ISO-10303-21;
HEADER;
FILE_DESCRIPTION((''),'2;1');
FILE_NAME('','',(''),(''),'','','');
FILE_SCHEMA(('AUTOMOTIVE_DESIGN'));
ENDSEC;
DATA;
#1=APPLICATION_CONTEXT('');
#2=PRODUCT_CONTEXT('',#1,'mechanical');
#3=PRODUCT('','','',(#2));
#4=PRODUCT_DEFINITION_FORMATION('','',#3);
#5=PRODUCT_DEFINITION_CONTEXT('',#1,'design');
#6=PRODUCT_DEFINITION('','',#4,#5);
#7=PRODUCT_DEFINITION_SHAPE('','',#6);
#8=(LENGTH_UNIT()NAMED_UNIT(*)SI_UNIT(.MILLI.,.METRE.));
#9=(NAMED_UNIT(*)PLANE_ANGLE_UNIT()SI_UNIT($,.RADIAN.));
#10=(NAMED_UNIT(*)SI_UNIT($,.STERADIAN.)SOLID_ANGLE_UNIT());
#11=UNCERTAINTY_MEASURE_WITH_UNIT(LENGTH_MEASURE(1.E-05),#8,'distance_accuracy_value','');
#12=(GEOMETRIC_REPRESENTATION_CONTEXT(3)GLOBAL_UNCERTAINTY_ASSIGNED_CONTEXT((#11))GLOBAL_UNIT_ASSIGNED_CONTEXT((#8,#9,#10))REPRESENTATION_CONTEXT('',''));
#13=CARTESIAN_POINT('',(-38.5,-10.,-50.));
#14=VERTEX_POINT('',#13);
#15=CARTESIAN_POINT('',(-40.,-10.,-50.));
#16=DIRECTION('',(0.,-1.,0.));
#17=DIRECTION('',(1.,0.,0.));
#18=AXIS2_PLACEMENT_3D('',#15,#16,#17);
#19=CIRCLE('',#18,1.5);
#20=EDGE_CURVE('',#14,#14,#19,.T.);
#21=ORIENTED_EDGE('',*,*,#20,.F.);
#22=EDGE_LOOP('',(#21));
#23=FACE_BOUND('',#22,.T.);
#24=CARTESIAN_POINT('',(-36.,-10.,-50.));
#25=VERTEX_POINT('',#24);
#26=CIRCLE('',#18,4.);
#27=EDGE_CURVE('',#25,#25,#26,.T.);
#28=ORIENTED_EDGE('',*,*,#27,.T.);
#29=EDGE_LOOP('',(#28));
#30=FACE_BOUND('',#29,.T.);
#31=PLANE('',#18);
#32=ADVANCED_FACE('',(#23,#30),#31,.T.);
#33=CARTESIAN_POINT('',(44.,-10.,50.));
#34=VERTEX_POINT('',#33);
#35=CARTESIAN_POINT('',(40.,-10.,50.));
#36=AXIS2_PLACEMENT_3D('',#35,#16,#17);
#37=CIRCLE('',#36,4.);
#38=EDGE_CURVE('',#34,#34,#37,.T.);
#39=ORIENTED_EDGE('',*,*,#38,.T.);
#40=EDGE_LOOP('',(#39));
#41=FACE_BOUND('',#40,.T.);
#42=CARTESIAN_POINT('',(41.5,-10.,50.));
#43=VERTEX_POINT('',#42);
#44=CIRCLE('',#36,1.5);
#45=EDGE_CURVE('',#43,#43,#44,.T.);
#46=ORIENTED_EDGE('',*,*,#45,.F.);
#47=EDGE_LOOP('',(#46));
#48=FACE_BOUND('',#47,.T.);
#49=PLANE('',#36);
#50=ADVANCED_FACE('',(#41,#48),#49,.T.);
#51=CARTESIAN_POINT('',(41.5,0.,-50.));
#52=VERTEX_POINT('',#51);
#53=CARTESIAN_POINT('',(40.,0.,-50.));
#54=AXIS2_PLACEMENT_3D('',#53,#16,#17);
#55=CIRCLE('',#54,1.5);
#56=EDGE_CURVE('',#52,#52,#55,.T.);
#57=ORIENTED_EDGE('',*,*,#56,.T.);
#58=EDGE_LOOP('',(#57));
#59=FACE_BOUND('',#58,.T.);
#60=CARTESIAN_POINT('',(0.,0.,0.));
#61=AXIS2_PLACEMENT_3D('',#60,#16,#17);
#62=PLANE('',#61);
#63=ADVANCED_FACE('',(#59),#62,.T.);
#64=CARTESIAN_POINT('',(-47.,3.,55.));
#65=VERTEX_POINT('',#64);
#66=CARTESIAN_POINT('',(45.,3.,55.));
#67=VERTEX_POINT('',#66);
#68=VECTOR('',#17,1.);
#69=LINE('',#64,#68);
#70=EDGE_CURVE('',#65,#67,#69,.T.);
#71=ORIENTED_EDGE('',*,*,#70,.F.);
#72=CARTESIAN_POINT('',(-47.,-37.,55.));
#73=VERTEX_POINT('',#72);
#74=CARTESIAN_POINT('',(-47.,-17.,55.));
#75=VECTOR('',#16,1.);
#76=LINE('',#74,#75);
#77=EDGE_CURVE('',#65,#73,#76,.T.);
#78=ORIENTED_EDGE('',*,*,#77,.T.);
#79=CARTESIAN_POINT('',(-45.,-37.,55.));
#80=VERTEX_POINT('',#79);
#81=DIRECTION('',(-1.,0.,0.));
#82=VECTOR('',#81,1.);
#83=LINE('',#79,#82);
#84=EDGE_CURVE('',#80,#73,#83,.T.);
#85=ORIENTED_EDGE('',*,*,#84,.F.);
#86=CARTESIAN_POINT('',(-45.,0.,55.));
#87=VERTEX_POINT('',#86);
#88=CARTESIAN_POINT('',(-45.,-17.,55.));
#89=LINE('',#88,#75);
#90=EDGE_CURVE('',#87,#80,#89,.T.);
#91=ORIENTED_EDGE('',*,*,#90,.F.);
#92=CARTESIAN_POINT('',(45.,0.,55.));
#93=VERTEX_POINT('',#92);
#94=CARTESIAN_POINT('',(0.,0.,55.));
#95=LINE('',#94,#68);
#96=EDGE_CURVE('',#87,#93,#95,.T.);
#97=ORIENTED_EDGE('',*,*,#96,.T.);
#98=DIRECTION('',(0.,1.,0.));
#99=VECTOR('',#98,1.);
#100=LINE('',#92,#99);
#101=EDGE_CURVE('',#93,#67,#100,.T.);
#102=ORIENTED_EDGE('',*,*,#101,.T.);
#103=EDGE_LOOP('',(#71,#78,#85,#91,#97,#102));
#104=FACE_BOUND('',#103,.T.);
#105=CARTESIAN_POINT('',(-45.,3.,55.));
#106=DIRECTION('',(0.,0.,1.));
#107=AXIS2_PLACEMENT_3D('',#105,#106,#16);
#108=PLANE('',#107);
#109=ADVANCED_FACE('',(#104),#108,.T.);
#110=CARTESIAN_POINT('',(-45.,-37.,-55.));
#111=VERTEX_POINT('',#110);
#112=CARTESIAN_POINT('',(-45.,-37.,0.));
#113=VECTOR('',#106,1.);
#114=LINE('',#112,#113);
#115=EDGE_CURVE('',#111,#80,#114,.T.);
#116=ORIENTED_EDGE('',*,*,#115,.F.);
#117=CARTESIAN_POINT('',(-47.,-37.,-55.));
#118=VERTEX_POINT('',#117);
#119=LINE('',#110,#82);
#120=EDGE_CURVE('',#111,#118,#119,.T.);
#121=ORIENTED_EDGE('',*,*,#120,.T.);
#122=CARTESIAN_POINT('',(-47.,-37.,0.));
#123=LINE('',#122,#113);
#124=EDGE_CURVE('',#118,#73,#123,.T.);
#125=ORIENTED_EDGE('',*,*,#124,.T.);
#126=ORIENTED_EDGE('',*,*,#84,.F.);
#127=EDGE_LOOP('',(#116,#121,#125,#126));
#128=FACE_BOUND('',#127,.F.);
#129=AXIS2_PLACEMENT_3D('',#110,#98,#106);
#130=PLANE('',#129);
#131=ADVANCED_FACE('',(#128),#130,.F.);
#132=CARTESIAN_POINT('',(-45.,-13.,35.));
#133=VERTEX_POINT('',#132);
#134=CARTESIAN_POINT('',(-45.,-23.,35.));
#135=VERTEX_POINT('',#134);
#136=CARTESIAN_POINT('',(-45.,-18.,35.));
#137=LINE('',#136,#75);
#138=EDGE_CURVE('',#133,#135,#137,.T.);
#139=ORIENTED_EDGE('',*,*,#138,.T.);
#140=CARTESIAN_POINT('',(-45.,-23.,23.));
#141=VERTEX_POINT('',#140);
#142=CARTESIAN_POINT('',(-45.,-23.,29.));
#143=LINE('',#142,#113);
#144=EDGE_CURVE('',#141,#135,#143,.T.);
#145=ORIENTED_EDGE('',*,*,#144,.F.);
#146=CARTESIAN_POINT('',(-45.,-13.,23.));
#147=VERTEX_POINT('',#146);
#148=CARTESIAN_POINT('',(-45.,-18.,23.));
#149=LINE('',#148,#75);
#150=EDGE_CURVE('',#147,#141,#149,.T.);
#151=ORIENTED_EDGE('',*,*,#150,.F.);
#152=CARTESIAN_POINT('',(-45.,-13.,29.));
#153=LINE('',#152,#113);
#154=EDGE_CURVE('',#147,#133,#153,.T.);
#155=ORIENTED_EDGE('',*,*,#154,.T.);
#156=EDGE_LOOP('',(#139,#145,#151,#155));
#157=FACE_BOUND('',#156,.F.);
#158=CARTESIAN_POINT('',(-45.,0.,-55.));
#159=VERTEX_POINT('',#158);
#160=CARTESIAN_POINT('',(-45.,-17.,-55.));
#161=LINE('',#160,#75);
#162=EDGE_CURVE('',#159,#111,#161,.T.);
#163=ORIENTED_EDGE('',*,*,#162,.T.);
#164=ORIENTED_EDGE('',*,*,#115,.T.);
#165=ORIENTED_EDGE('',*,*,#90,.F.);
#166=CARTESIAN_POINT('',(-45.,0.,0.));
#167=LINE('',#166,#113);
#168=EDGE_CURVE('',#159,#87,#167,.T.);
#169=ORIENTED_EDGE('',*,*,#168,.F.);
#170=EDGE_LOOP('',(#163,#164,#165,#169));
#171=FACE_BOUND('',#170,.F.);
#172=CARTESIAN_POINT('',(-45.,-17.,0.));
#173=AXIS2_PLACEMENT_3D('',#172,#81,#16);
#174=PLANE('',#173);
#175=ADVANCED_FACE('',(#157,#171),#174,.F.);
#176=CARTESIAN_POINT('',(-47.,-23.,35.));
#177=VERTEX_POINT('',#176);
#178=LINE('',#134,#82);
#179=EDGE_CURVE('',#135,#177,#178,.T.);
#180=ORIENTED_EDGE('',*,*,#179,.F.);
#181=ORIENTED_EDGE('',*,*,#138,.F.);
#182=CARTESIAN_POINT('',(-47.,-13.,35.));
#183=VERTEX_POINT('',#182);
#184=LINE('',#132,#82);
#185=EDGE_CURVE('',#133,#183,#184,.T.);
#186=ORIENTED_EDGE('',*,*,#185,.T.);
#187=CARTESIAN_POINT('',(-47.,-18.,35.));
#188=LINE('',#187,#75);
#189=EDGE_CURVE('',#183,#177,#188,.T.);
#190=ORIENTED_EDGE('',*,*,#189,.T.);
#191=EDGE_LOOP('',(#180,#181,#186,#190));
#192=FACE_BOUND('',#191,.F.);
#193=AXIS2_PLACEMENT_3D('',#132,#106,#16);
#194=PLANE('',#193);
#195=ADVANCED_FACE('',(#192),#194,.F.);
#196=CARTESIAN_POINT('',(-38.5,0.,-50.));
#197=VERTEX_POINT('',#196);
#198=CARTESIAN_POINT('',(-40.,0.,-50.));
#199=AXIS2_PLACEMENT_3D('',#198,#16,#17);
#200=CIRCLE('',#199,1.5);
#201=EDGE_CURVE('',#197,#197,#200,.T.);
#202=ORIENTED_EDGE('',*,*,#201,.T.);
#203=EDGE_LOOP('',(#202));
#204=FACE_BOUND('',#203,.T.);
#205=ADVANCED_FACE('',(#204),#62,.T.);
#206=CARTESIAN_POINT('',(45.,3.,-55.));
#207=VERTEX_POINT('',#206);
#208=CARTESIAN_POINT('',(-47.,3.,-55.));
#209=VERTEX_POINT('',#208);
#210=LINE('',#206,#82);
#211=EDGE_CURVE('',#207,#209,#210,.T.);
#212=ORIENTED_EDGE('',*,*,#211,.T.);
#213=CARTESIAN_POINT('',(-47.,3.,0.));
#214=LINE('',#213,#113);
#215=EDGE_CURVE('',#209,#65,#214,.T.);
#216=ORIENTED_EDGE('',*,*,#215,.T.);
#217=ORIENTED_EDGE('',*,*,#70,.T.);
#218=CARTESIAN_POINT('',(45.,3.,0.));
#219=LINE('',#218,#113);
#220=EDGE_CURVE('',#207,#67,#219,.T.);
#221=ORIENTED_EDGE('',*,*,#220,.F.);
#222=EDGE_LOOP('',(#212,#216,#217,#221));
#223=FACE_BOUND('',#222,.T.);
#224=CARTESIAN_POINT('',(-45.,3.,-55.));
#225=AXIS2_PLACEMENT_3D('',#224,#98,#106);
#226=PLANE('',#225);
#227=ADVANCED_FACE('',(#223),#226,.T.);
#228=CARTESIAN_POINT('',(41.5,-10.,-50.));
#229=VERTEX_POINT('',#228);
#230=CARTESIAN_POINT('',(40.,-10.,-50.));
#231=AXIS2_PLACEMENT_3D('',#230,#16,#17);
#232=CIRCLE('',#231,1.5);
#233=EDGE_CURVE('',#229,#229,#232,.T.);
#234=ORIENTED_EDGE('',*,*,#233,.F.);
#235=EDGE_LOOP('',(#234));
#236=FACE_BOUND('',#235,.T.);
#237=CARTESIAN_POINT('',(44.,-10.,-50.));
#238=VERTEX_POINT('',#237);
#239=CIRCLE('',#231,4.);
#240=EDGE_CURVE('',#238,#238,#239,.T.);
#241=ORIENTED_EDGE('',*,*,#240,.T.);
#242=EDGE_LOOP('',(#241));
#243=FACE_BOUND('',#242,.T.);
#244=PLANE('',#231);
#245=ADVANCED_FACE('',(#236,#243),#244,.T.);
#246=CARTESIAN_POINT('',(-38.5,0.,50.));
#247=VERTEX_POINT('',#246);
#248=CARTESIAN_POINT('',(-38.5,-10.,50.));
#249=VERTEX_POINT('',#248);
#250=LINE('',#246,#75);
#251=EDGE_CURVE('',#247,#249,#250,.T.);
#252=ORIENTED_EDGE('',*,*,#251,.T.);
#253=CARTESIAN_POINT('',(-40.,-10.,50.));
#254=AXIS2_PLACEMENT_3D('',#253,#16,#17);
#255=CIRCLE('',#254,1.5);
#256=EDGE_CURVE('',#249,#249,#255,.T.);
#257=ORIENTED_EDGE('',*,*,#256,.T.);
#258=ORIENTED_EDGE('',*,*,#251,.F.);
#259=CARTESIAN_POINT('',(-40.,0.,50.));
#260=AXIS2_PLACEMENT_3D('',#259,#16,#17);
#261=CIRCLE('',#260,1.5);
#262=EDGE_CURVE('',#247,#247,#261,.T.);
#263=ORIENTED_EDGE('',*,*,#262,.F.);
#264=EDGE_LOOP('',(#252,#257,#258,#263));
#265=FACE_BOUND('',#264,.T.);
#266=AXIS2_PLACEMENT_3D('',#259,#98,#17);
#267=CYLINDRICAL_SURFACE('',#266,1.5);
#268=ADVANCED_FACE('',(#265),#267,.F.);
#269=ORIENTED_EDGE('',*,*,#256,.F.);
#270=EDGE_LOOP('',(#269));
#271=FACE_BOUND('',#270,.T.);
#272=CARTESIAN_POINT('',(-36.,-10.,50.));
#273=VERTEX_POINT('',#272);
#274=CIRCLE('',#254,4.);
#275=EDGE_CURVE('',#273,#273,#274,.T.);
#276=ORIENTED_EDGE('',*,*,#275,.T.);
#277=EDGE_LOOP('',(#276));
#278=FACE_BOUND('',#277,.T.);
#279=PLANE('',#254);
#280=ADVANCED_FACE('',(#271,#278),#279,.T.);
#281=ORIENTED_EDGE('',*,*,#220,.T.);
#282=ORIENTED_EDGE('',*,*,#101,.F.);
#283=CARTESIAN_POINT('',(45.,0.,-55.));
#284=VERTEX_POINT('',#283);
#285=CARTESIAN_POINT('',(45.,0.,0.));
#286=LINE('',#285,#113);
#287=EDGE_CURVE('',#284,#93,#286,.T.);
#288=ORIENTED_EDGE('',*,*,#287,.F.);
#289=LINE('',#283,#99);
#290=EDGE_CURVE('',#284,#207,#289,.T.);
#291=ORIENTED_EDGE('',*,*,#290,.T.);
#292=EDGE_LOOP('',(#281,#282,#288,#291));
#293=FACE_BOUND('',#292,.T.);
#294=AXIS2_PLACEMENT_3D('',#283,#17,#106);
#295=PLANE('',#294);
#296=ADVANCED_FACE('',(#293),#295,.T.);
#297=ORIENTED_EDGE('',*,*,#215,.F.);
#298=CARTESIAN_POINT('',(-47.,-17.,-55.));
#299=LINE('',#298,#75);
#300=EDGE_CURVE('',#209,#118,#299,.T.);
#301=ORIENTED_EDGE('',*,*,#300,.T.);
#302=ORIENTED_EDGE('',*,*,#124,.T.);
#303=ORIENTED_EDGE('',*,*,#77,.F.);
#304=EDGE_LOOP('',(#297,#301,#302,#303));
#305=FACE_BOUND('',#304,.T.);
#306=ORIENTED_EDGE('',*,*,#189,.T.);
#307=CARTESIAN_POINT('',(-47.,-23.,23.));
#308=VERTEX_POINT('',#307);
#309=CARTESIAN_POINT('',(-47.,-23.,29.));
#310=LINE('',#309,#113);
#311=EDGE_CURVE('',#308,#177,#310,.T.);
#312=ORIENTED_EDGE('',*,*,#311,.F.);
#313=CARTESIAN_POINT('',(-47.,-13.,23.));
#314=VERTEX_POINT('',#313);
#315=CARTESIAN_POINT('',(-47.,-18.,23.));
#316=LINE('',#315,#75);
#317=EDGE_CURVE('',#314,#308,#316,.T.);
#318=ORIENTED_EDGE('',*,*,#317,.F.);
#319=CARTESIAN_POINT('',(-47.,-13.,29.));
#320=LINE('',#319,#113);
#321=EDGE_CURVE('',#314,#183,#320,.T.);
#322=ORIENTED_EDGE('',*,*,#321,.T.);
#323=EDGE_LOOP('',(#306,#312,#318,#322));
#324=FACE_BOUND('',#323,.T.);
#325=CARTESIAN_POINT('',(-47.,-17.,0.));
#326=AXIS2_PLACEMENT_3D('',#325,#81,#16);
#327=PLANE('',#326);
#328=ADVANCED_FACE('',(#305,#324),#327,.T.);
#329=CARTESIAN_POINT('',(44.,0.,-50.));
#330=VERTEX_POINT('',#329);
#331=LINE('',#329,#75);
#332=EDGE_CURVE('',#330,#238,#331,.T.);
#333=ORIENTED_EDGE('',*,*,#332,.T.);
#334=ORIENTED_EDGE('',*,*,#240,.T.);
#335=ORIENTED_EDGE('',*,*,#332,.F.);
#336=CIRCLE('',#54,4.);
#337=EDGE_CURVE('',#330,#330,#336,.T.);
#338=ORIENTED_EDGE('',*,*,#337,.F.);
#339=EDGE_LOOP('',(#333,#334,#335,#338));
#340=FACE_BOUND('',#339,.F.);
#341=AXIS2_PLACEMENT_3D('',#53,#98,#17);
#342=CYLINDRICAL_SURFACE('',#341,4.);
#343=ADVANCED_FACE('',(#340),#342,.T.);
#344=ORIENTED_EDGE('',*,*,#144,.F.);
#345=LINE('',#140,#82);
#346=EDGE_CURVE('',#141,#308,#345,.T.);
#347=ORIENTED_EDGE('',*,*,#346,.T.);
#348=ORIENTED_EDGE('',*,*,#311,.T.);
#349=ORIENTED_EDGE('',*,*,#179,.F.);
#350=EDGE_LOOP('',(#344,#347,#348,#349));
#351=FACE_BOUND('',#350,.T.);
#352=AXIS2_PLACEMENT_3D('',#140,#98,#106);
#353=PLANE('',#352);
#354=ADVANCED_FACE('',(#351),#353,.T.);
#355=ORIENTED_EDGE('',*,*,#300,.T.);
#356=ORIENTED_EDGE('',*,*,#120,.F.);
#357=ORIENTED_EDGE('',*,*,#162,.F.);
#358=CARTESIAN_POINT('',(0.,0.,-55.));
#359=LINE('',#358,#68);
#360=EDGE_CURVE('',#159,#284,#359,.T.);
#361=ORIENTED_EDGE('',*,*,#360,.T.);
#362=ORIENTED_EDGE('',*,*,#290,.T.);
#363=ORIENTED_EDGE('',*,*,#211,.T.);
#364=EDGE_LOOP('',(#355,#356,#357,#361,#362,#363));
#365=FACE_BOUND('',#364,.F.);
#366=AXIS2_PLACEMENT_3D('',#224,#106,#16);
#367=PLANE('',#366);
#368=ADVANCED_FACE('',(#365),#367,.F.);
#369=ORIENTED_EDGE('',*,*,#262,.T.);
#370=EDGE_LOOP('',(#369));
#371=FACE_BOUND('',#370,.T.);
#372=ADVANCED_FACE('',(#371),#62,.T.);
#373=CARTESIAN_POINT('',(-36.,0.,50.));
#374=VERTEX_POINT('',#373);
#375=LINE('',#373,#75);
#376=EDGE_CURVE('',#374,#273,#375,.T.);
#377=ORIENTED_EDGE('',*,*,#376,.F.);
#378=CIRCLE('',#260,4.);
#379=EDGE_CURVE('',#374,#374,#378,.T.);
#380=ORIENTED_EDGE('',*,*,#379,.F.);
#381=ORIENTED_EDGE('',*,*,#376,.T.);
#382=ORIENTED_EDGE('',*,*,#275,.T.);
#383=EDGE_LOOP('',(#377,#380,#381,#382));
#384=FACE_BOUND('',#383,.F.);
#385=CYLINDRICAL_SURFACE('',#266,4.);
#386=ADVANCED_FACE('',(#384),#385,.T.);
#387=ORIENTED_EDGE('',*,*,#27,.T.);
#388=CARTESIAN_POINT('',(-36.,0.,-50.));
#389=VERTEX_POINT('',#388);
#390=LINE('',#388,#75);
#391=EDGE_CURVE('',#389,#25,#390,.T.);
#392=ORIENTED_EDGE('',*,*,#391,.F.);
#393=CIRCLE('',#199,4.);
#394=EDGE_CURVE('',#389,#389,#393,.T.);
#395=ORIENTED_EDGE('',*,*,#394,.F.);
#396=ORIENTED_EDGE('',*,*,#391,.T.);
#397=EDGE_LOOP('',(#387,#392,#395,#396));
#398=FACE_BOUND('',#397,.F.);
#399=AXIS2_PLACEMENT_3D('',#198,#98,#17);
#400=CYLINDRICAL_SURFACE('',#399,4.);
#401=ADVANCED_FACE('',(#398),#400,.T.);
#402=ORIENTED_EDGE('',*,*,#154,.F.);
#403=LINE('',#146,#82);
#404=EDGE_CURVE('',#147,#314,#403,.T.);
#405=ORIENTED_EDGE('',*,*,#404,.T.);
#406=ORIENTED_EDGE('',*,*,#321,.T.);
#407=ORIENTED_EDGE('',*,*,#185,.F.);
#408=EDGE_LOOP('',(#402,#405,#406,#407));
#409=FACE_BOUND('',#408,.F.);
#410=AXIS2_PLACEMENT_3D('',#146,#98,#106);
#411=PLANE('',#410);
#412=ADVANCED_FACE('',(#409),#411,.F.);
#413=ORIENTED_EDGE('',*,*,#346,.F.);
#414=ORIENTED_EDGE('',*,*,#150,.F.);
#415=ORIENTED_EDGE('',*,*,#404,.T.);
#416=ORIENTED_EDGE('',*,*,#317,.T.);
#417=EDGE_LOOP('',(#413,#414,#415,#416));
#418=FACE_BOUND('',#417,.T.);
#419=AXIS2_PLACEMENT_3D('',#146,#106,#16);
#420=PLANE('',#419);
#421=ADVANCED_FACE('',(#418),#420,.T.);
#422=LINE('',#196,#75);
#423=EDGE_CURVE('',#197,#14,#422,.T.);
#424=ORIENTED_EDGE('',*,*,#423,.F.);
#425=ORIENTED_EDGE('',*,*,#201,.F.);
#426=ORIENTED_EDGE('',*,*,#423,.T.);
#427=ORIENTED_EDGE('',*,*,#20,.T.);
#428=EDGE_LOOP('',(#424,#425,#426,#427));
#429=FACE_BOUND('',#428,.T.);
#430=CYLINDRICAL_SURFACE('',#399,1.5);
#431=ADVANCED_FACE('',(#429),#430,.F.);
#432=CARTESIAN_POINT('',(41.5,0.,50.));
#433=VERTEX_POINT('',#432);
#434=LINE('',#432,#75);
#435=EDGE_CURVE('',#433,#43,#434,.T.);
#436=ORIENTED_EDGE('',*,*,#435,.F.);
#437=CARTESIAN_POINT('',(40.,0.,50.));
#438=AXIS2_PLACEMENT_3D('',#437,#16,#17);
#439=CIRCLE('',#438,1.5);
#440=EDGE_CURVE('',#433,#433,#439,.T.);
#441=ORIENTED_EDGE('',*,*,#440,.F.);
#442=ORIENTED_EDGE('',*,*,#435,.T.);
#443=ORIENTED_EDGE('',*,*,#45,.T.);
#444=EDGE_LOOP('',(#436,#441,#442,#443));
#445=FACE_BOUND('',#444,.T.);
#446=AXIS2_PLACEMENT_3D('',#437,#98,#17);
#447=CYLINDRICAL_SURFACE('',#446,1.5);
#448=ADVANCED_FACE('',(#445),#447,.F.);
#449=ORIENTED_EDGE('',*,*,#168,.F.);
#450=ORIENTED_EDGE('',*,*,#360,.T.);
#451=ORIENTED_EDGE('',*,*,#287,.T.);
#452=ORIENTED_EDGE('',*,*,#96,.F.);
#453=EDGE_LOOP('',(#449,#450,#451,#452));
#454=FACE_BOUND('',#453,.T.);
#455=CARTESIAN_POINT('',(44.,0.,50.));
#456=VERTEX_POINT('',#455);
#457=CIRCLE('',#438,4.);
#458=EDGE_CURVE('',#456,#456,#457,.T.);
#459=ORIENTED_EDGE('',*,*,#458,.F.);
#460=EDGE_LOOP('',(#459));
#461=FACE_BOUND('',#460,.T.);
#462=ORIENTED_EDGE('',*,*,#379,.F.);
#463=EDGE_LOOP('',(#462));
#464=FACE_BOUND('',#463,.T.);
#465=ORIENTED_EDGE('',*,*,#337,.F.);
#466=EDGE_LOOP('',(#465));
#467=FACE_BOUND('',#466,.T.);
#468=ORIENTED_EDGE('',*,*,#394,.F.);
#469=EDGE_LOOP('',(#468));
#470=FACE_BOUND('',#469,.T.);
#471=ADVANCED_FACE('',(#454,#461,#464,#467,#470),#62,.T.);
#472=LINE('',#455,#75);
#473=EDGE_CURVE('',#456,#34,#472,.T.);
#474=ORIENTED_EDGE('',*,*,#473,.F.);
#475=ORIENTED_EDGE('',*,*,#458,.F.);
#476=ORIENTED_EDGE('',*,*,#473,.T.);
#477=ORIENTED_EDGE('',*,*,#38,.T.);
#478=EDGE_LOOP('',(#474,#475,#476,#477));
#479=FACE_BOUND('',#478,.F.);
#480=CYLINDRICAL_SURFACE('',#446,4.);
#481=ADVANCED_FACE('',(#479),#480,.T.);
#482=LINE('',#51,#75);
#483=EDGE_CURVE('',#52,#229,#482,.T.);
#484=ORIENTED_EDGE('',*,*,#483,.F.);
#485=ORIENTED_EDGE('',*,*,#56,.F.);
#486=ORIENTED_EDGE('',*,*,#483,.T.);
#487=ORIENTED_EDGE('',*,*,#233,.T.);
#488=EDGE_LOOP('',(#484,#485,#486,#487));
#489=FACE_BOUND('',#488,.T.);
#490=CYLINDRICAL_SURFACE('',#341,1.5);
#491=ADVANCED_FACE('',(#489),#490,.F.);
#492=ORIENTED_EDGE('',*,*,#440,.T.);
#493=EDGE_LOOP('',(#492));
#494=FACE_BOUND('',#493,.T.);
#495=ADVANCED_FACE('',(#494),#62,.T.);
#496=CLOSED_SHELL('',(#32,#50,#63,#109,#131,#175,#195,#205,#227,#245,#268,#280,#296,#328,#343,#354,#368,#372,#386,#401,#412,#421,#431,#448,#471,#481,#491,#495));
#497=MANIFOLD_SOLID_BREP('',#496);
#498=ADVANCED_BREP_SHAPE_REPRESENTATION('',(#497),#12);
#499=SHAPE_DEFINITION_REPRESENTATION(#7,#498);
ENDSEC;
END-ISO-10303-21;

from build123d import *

# Parameters (mm, degrees)
F0_W     = 90
F0_H     = 110
F1_DEPTH = 3
F2_R     = 4
F2_R_2   = 1.5
F3_DEPTH = 10
F4_W     = 40
F4_H     = 110
F4_W_2   = 10
F4_H_2   = 12
F5_DEPTH = 2


with BuildPart() as f1:
    # F0 (on Front) → F1 (new body)
    with BuildSketch(Plane.XZ):
        Rectangle(F0_W, F0_H)
    extrude(amount=-F1_DEPTH)

    # F2 (on face) → F3 (join)
    with BuildSketch(Plane.XZ):
        with Locations((40, 50)):
            Circle(F2_R)
        with Locations((40, 50)):
            Circle(F2_R_2, mode=Mode.SUBTRACT)
        with Locations((-40, 50)):
            Circle(F2_R)
        with Locations((-40, 50)):
            Circle(F2_R_2, mode=Mode.SUBTRACT)
        with Locations((-40, -50)):
            Circle(F2_R)
        with Locations((-40, -50)):
            Circle(F2_R_2, mode=Mode.SUBTRACT)
        with Locations((40, -50)):
            Circle(F2_R)
        with Locations((40, -50)):
            Circle(F2_R_2, mode=Mode.SUBTRACT)
    extrude(amount=F3_DEPTH)

    # F4 (on face) → F5 (join)
    with BuildSketch(Plane(origin=(-45, 0, 0), x_dir=(0, -1, 0), z_dir=(-1, 0, 0))):
        with Locations((17, 0)):
            Rectangle(F4_W, F4_H)
        with Locations((18, 29)):
            Rectangle(F4_W_2, F4_H_2, mode=Mode.SUBTRACT)
    extrude(amount=F5_DEPTH)


solid = f1.part
